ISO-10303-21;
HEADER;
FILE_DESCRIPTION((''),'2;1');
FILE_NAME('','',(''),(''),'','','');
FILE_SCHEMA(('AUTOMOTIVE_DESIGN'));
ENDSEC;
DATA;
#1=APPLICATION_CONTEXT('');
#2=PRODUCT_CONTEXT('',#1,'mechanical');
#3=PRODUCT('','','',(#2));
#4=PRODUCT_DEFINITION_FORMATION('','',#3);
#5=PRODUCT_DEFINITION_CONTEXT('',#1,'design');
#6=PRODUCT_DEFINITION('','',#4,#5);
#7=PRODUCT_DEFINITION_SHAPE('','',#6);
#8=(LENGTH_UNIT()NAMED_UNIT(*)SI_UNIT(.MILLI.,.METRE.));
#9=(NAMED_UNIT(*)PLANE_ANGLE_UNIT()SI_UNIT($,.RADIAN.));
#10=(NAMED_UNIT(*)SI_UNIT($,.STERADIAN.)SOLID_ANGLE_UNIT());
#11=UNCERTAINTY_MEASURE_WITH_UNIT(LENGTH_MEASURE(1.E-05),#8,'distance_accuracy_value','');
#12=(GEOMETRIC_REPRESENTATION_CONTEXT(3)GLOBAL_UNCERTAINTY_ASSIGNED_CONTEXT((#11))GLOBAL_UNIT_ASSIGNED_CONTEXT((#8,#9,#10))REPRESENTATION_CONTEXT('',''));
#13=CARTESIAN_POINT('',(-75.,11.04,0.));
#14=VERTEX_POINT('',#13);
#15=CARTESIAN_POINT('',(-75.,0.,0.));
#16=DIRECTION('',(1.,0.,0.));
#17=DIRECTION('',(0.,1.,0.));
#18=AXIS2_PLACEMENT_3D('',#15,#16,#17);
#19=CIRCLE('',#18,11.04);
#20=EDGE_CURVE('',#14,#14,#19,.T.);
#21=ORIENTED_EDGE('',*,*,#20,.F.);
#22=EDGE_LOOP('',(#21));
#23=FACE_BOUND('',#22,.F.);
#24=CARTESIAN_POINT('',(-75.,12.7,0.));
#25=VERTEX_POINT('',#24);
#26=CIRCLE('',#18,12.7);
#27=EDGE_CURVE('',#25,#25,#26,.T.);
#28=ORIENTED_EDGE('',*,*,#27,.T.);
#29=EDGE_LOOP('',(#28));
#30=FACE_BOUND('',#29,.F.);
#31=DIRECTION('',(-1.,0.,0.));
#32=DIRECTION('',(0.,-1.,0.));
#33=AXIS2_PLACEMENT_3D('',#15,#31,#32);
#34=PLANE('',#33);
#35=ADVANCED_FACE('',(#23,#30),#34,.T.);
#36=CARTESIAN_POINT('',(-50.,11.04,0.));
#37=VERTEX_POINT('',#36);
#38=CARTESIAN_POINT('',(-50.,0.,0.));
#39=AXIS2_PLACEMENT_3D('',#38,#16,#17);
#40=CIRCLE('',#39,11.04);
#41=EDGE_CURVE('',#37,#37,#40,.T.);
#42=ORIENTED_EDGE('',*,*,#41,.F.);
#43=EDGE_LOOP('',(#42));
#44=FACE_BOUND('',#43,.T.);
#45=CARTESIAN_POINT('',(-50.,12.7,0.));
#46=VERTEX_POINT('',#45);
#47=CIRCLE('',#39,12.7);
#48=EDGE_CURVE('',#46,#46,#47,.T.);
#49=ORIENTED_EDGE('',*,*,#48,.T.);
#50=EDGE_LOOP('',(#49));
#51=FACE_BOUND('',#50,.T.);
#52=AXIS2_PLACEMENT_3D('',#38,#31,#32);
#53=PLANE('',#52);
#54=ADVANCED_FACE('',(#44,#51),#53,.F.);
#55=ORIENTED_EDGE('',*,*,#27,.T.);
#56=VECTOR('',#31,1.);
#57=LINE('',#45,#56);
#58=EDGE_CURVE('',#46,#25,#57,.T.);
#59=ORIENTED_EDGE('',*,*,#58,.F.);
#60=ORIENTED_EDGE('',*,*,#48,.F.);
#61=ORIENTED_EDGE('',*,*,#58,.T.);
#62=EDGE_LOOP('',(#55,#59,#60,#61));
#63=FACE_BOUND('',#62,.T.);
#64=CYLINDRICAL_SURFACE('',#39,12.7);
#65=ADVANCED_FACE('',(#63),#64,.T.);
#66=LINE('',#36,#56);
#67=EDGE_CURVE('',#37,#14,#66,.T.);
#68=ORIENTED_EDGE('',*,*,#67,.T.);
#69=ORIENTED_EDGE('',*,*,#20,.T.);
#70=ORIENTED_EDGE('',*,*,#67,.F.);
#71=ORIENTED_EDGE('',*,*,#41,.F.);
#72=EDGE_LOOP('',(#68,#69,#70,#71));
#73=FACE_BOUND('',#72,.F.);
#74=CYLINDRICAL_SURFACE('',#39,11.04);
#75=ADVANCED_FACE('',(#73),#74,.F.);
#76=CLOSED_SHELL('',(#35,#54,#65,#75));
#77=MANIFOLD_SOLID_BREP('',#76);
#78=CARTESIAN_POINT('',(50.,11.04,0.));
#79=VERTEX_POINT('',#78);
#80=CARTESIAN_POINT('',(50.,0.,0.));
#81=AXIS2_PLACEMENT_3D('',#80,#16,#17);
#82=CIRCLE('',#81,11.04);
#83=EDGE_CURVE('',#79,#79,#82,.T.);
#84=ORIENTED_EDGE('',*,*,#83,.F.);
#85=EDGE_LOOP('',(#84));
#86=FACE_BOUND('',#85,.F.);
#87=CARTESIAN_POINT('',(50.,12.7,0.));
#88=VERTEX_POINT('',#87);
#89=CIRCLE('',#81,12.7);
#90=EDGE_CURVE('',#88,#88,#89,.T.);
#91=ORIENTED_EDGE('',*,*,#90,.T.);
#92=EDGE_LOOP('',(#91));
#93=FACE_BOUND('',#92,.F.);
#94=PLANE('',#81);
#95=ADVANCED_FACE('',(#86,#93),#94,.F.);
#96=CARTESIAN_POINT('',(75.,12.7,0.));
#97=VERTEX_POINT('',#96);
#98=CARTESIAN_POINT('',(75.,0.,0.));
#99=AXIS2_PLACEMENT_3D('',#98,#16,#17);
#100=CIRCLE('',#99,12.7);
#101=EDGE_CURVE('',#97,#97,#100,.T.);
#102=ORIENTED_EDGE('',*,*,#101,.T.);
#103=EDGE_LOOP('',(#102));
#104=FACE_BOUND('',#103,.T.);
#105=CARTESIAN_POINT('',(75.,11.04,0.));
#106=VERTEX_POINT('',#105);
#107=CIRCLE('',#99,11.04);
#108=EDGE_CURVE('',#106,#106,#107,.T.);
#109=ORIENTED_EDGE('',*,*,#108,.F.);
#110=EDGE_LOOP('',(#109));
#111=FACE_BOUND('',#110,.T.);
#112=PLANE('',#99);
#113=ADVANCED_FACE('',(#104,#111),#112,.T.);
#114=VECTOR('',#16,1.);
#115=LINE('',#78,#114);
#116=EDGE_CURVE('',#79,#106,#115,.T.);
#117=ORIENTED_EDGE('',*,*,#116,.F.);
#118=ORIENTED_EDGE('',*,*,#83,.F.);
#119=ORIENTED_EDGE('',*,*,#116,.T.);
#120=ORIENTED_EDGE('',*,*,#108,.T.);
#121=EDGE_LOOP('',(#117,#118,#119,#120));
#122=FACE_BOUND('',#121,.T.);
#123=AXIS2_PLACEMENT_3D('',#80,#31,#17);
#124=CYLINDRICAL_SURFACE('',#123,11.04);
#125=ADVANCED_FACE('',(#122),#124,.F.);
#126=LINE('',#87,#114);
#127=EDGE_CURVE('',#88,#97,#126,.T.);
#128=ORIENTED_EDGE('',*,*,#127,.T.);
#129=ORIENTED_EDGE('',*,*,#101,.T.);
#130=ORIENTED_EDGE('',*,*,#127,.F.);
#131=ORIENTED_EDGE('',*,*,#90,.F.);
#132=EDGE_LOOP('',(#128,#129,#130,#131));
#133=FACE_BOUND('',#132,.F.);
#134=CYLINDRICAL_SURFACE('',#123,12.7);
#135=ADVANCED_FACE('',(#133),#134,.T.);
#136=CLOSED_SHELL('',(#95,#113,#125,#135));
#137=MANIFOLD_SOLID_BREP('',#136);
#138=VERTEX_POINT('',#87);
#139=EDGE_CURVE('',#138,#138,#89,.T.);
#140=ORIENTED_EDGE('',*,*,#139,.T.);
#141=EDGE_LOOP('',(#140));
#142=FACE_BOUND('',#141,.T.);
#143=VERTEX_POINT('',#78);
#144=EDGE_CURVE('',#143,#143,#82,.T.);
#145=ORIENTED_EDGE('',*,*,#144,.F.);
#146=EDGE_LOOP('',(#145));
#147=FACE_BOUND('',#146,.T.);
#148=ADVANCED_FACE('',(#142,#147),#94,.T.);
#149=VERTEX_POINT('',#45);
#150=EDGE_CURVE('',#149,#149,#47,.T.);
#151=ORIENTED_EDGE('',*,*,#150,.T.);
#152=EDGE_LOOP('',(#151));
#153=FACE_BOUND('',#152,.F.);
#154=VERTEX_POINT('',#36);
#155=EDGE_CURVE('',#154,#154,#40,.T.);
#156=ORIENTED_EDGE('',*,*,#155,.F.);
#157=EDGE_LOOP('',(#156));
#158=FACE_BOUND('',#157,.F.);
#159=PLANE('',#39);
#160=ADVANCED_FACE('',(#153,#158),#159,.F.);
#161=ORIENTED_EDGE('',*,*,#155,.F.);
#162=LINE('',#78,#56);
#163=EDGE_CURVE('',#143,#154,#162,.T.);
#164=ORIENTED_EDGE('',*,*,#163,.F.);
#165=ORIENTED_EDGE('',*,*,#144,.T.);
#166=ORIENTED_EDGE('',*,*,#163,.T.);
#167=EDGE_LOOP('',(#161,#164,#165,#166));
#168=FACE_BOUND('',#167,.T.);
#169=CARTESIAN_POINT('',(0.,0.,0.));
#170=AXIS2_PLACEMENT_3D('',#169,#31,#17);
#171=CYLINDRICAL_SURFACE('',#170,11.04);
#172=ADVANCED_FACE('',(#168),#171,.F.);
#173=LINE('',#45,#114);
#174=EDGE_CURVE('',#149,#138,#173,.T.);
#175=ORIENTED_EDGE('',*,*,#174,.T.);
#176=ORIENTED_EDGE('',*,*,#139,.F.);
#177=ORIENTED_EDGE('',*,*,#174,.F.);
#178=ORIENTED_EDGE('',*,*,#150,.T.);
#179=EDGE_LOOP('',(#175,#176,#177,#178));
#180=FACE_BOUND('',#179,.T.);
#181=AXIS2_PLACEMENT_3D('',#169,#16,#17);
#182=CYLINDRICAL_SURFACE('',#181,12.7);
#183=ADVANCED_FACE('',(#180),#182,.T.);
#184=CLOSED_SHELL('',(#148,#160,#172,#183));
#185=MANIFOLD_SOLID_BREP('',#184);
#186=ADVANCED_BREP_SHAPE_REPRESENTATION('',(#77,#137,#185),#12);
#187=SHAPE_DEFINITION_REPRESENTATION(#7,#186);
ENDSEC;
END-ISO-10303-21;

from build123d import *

# Parameters (mm, degrees)
F0_R        = 12.7
F0_R_2      = 11.04
F1_DEPTH    = 50
F1_FACE_R   = 12.7
F1_FACE_R_2 = 11.04
F2_DEPTH    = 25


with BuildPart() as f1:
    # F0 (on Right) → F1 (new body, symmetric)
    with BuildSketch(Plane.YZ):
        Circle(F0_R)
        Circle(F0_R_2, mode=Mode.SUBTRACT)
    extrude(amount=F1_DEPTH, both=True)


with BuildPart() as f2:
    # F1_face (on face) → F2 (new body)
    with BuildSketch(Plane.YZ.offset(50)):
        Circle(F1_FACE_R)
        Circle(F1_FACE_R_2, mode=Mode.SUBTRACT)
    extrude(amount=F2_DEPTH)


with BuildPart() as f3_1:
    # F3: instance of F2
    add(f2.part.mirror(Plane.YZ))


solid = Compound([f1.part, f2.part, f3_1.part])
